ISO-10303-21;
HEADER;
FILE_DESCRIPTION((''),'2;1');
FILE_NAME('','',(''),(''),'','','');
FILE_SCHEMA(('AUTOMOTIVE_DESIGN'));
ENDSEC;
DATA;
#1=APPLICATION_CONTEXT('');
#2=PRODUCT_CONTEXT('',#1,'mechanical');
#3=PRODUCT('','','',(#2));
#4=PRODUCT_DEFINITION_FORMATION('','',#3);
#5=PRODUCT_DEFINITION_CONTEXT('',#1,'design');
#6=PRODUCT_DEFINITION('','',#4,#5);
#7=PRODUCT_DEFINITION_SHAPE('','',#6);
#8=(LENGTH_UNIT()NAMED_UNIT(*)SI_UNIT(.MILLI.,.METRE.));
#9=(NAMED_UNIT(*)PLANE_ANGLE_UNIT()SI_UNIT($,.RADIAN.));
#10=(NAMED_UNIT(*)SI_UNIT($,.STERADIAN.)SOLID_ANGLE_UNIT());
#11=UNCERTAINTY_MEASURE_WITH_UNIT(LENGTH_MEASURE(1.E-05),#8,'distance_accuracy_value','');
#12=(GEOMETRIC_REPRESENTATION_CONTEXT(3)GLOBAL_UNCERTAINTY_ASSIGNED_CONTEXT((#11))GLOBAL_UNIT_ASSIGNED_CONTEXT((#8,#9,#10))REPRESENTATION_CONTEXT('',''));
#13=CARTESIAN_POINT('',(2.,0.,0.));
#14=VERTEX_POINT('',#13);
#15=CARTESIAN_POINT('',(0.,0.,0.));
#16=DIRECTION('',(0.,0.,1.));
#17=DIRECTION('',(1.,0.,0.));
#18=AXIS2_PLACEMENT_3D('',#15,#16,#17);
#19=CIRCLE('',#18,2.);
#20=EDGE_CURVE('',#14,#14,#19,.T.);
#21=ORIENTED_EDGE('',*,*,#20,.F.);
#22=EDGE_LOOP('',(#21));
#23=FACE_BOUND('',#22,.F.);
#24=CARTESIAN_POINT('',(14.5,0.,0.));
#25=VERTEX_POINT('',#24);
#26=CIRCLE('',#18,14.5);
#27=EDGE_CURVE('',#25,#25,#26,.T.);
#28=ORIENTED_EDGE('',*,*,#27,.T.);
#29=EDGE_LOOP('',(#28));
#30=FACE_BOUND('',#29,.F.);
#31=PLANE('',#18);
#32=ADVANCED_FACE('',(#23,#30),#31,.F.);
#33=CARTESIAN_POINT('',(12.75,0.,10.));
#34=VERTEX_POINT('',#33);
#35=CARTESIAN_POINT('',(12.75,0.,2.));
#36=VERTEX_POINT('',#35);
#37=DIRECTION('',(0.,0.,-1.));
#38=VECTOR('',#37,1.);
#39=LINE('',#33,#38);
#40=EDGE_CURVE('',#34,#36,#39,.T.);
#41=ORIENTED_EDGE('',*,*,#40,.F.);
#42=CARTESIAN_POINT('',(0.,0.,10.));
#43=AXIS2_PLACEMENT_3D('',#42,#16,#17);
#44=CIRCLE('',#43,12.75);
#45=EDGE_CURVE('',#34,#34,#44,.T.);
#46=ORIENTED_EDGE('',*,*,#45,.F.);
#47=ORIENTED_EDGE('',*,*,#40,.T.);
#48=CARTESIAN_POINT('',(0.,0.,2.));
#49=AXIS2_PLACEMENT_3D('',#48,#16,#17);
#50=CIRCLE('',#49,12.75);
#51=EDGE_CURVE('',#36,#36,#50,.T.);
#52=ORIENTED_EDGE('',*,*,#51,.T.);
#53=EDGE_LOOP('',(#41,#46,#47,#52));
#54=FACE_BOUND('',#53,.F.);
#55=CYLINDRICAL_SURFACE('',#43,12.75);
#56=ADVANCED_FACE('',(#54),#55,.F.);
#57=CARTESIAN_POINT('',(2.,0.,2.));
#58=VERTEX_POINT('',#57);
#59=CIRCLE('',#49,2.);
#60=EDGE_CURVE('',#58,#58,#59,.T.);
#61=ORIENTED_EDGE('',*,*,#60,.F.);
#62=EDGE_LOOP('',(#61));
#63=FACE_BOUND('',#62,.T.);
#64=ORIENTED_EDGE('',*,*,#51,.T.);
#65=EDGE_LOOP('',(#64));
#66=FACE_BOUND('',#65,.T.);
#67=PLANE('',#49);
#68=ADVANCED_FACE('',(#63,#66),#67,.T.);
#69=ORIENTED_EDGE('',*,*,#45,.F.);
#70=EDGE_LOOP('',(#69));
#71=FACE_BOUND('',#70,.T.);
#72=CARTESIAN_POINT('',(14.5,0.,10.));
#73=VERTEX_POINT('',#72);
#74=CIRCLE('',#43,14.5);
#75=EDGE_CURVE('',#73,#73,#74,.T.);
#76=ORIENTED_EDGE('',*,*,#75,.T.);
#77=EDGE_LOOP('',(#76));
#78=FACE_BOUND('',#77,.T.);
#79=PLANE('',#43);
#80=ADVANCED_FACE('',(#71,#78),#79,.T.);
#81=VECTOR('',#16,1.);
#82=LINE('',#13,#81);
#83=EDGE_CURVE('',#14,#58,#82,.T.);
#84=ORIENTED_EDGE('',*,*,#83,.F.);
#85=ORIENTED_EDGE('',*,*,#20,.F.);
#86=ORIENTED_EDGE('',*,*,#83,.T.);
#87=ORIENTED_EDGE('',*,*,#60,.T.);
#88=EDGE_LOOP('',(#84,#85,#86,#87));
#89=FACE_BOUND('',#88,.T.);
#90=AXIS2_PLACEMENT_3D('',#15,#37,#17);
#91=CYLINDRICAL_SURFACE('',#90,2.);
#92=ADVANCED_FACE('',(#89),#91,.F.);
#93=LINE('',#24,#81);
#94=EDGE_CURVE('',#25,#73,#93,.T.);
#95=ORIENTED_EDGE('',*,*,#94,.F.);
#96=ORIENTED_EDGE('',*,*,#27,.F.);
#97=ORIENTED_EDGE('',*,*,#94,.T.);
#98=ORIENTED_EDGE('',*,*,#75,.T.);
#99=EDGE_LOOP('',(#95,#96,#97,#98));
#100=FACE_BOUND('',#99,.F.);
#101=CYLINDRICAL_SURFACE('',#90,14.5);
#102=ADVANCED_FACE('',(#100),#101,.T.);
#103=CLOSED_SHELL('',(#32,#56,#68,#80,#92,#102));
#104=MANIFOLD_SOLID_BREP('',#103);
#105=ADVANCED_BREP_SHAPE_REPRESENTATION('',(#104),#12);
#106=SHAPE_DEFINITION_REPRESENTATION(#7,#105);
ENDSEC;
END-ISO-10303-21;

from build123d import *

# Parameters (mm, degrees)
F0_R     = 14.5
F1_DEPTH = 10
F2_R     = 12.75
F3_DEPTH = 8
F4_R     = 2
F5_DEPTH = 2


with BuildPart() as f1:
    # F0 (on Top) → F1 (new body)
    with BuildSketch(Plane.XY):
        Circle(F0_R)
    extrude(amount=F1_DEPTH)

    # F2 (on face) → F3 (cut)
    with BuildSketch(Plane.XY.offset(10)):
        Circle(F2_R)
    extrude(amount=-F3_DEPTH, mode=Mode.SUBTRACT)

    # F4 (on Top) → F5 (cut)
    with BuildSketch(Plane.XY):
        Circle(F4_R)
    extrude(amount=F5_DEPTH, mode=Mode.SUBTRACT)


solid = f1.part
